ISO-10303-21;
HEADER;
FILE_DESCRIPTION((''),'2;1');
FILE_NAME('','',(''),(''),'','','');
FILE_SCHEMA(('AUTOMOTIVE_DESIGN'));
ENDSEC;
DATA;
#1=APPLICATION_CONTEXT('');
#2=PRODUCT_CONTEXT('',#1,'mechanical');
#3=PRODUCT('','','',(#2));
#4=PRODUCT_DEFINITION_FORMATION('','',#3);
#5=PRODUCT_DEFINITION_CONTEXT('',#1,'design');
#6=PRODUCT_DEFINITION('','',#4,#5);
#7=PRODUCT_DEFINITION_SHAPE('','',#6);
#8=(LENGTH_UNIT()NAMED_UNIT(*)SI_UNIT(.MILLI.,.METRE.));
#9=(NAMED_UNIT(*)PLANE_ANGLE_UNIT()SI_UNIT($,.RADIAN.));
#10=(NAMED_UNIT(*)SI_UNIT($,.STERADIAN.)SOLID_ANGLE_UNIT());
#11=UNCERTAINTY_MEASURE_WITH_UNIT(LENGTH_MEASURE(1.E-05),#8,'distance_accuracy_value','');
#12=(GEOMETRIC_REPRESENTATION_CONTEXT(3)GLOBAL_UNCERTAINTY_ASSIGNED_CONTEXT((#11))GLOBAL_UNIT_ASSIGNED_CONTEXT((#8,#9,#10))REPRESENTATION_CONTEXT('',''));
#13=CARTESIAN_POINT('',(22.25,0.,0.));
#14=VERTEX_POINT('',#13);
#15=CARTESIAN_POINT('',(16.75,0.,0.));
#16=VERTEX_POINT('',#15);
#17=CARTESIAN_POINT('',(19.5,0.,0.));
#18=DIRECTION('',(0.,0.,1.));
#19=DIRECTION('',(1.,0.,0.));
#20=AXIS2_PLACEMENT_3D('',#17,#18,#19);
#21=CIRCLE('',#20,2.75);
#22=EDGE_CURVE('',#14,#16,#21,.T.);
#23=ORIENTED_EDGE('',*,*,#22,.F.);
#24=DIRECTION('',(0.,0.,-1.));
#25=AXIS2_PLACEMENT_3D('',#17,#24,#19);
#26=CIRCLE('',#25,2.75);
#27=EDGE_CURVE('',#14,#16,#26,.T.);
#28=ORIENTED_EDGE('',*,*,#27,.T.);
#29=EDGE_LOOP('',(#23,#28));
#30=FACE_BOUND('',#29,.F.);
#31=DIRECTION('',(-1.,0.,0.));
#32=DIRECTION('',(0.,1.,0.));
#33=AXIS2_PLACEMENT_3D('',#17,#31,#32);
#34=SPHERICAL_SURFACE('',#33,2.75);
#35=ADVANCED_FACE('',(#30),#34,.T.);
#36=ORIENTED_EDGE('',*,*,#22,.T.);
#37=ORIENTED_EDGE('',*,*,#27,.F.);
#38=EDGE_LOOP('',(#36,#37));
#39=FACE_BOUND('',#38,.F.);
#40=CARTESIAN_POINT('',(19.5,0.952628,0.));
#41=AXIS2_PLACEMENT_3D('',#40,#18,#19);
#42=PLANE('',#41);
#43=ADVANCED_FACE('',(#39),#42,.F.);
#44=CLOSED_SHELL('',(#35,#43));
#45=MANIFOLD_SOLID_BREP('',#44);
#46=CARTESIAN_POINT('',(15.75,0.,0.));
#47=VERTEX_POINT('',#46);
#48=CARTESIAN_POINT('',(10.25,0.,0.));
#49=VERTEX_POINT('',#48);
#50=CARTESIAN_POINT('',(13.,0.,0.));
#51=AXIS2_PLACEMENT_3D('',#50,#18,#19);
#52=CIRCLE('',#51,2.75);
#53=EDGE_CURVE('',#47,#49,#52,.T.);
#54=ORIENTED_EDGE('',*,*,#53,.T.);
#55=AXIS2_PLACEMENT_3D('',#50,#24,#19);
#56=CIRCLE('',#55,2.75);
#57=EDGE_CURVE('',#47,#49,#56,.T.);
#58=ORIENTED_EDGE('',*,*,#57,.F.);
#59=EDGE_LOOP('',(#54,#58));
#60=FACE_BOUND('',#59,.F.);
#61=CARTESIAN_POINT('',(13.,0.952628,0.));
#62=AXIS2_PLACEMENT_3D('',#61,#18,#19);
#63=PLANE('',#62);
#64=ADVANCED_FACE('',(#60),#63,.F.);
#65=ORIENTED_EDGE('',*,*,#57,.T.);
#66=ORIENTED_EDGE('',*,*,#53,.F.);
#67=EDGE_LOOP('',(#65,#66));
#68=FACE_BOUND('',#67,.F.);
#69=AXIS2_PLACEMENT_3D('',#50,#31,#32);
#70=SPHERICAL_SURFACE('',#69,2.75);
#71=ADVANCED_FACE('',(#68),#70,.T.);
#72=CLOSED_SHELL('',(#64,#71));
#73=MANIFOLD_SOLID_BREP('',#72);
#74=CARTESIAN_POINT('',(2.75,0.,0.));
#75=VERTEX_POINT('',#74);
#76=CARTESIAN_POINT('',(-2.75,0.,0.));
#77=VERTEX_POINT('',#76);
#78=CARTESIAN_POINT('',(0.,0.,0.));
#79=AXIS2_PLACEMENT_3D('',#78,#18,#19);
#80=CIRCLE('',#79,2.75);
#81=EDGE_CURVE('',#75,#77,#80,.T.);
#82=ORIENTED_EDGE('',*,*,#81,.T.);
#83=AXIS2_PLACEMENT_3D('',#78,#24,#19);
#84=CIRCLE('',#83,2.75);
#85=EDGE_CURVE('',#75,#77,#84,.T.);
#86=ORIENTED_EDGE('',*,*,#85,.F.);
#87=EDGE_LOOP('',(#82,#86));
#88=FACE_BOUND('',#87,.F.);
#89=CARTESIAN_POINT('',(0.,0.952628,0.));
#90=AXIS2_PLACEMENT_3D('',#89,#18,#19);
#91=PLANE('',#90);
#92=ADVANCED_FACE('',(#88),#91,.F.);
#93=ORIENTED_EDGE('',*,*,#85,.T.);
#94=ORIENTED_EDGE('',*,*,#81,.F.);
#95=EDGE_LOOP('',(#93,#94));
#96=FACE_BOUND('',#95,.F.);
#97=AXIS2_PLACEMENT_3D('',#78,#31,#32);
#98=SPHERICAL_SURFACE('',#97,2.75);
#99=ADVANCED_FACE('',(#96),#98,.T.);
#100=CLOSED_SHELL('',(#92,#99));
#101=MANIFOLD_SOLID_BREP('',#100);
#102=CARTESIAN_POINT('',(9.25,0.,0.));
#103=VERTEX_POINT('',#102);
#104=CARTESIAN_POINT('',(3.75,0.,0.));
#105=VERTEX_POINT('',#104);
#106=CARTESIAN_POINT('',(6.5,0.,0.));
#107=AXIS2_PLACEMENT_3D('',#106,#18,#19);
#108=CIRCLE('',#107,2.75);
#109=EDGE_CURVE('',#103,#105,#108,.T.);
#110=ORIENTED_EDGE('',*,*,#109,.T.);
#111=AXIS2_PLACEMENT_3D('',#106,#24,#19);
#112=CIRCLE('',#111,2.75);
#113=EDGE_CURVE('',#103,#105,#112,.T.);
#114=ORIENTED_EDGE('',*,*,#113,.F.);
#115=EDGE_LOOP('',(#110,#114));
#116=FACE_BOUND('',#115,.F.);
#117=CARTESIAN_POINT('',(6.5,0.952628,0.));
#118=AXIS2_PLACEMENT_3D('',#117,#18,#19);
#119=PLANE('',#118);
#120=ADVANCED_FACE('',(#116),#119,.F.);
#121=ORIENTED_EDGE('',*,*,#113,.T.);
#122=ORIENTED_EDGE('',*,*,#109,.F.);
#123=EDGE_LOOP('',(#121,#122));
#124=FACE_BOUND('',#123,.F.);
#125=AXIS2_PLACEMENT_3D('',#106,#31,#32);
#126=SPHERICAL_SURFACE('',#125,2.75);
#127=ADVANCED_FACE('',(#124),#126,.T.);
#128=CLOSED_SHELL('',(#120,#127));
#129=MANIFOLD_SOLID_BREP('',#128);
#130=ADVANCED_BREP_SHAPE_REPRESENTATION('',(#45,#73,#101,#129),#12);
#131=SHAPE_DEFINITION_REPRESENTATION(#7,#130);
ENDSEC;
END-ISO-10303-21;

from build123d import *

# Parameters (mm, degrees)
F1_ANGLE = 180


with BuildPart() as f1:
    # F0 (on Top) → F1 (revolve)
    with BuildSketch(Plane.XY):
        with BuildLine():
            ThreePointArc((2.75, 0), (0, 2.75), (-2.75, 0))
            Line((-2.75, 0), (2.75, 0))
        make_face()
        with BuildLine():
            ThreePointArc((9.25, 0), (6.5, 2.75), (3.75, 0))
            Line((3.75, 0), (9.25, 0))
        make_face()
        with BuildLine():
            ThreePointArc((15.75, 0), (13, 2.75), (10.25, 0))
            Line((10.25, 0), (15.75, 0))
        make_face()
        with BuildLine():
            ThreePointArc((22.25, 0), (19.5, 2.75), (16.75, 0))
            Line((16.75, 0), (22.25, 0))
        make_face()
    revolve(axis=Axis((0, 0, 0), (1, 0, 0)), revolution_arc=F1_ANGLE)


solid = f1.part
